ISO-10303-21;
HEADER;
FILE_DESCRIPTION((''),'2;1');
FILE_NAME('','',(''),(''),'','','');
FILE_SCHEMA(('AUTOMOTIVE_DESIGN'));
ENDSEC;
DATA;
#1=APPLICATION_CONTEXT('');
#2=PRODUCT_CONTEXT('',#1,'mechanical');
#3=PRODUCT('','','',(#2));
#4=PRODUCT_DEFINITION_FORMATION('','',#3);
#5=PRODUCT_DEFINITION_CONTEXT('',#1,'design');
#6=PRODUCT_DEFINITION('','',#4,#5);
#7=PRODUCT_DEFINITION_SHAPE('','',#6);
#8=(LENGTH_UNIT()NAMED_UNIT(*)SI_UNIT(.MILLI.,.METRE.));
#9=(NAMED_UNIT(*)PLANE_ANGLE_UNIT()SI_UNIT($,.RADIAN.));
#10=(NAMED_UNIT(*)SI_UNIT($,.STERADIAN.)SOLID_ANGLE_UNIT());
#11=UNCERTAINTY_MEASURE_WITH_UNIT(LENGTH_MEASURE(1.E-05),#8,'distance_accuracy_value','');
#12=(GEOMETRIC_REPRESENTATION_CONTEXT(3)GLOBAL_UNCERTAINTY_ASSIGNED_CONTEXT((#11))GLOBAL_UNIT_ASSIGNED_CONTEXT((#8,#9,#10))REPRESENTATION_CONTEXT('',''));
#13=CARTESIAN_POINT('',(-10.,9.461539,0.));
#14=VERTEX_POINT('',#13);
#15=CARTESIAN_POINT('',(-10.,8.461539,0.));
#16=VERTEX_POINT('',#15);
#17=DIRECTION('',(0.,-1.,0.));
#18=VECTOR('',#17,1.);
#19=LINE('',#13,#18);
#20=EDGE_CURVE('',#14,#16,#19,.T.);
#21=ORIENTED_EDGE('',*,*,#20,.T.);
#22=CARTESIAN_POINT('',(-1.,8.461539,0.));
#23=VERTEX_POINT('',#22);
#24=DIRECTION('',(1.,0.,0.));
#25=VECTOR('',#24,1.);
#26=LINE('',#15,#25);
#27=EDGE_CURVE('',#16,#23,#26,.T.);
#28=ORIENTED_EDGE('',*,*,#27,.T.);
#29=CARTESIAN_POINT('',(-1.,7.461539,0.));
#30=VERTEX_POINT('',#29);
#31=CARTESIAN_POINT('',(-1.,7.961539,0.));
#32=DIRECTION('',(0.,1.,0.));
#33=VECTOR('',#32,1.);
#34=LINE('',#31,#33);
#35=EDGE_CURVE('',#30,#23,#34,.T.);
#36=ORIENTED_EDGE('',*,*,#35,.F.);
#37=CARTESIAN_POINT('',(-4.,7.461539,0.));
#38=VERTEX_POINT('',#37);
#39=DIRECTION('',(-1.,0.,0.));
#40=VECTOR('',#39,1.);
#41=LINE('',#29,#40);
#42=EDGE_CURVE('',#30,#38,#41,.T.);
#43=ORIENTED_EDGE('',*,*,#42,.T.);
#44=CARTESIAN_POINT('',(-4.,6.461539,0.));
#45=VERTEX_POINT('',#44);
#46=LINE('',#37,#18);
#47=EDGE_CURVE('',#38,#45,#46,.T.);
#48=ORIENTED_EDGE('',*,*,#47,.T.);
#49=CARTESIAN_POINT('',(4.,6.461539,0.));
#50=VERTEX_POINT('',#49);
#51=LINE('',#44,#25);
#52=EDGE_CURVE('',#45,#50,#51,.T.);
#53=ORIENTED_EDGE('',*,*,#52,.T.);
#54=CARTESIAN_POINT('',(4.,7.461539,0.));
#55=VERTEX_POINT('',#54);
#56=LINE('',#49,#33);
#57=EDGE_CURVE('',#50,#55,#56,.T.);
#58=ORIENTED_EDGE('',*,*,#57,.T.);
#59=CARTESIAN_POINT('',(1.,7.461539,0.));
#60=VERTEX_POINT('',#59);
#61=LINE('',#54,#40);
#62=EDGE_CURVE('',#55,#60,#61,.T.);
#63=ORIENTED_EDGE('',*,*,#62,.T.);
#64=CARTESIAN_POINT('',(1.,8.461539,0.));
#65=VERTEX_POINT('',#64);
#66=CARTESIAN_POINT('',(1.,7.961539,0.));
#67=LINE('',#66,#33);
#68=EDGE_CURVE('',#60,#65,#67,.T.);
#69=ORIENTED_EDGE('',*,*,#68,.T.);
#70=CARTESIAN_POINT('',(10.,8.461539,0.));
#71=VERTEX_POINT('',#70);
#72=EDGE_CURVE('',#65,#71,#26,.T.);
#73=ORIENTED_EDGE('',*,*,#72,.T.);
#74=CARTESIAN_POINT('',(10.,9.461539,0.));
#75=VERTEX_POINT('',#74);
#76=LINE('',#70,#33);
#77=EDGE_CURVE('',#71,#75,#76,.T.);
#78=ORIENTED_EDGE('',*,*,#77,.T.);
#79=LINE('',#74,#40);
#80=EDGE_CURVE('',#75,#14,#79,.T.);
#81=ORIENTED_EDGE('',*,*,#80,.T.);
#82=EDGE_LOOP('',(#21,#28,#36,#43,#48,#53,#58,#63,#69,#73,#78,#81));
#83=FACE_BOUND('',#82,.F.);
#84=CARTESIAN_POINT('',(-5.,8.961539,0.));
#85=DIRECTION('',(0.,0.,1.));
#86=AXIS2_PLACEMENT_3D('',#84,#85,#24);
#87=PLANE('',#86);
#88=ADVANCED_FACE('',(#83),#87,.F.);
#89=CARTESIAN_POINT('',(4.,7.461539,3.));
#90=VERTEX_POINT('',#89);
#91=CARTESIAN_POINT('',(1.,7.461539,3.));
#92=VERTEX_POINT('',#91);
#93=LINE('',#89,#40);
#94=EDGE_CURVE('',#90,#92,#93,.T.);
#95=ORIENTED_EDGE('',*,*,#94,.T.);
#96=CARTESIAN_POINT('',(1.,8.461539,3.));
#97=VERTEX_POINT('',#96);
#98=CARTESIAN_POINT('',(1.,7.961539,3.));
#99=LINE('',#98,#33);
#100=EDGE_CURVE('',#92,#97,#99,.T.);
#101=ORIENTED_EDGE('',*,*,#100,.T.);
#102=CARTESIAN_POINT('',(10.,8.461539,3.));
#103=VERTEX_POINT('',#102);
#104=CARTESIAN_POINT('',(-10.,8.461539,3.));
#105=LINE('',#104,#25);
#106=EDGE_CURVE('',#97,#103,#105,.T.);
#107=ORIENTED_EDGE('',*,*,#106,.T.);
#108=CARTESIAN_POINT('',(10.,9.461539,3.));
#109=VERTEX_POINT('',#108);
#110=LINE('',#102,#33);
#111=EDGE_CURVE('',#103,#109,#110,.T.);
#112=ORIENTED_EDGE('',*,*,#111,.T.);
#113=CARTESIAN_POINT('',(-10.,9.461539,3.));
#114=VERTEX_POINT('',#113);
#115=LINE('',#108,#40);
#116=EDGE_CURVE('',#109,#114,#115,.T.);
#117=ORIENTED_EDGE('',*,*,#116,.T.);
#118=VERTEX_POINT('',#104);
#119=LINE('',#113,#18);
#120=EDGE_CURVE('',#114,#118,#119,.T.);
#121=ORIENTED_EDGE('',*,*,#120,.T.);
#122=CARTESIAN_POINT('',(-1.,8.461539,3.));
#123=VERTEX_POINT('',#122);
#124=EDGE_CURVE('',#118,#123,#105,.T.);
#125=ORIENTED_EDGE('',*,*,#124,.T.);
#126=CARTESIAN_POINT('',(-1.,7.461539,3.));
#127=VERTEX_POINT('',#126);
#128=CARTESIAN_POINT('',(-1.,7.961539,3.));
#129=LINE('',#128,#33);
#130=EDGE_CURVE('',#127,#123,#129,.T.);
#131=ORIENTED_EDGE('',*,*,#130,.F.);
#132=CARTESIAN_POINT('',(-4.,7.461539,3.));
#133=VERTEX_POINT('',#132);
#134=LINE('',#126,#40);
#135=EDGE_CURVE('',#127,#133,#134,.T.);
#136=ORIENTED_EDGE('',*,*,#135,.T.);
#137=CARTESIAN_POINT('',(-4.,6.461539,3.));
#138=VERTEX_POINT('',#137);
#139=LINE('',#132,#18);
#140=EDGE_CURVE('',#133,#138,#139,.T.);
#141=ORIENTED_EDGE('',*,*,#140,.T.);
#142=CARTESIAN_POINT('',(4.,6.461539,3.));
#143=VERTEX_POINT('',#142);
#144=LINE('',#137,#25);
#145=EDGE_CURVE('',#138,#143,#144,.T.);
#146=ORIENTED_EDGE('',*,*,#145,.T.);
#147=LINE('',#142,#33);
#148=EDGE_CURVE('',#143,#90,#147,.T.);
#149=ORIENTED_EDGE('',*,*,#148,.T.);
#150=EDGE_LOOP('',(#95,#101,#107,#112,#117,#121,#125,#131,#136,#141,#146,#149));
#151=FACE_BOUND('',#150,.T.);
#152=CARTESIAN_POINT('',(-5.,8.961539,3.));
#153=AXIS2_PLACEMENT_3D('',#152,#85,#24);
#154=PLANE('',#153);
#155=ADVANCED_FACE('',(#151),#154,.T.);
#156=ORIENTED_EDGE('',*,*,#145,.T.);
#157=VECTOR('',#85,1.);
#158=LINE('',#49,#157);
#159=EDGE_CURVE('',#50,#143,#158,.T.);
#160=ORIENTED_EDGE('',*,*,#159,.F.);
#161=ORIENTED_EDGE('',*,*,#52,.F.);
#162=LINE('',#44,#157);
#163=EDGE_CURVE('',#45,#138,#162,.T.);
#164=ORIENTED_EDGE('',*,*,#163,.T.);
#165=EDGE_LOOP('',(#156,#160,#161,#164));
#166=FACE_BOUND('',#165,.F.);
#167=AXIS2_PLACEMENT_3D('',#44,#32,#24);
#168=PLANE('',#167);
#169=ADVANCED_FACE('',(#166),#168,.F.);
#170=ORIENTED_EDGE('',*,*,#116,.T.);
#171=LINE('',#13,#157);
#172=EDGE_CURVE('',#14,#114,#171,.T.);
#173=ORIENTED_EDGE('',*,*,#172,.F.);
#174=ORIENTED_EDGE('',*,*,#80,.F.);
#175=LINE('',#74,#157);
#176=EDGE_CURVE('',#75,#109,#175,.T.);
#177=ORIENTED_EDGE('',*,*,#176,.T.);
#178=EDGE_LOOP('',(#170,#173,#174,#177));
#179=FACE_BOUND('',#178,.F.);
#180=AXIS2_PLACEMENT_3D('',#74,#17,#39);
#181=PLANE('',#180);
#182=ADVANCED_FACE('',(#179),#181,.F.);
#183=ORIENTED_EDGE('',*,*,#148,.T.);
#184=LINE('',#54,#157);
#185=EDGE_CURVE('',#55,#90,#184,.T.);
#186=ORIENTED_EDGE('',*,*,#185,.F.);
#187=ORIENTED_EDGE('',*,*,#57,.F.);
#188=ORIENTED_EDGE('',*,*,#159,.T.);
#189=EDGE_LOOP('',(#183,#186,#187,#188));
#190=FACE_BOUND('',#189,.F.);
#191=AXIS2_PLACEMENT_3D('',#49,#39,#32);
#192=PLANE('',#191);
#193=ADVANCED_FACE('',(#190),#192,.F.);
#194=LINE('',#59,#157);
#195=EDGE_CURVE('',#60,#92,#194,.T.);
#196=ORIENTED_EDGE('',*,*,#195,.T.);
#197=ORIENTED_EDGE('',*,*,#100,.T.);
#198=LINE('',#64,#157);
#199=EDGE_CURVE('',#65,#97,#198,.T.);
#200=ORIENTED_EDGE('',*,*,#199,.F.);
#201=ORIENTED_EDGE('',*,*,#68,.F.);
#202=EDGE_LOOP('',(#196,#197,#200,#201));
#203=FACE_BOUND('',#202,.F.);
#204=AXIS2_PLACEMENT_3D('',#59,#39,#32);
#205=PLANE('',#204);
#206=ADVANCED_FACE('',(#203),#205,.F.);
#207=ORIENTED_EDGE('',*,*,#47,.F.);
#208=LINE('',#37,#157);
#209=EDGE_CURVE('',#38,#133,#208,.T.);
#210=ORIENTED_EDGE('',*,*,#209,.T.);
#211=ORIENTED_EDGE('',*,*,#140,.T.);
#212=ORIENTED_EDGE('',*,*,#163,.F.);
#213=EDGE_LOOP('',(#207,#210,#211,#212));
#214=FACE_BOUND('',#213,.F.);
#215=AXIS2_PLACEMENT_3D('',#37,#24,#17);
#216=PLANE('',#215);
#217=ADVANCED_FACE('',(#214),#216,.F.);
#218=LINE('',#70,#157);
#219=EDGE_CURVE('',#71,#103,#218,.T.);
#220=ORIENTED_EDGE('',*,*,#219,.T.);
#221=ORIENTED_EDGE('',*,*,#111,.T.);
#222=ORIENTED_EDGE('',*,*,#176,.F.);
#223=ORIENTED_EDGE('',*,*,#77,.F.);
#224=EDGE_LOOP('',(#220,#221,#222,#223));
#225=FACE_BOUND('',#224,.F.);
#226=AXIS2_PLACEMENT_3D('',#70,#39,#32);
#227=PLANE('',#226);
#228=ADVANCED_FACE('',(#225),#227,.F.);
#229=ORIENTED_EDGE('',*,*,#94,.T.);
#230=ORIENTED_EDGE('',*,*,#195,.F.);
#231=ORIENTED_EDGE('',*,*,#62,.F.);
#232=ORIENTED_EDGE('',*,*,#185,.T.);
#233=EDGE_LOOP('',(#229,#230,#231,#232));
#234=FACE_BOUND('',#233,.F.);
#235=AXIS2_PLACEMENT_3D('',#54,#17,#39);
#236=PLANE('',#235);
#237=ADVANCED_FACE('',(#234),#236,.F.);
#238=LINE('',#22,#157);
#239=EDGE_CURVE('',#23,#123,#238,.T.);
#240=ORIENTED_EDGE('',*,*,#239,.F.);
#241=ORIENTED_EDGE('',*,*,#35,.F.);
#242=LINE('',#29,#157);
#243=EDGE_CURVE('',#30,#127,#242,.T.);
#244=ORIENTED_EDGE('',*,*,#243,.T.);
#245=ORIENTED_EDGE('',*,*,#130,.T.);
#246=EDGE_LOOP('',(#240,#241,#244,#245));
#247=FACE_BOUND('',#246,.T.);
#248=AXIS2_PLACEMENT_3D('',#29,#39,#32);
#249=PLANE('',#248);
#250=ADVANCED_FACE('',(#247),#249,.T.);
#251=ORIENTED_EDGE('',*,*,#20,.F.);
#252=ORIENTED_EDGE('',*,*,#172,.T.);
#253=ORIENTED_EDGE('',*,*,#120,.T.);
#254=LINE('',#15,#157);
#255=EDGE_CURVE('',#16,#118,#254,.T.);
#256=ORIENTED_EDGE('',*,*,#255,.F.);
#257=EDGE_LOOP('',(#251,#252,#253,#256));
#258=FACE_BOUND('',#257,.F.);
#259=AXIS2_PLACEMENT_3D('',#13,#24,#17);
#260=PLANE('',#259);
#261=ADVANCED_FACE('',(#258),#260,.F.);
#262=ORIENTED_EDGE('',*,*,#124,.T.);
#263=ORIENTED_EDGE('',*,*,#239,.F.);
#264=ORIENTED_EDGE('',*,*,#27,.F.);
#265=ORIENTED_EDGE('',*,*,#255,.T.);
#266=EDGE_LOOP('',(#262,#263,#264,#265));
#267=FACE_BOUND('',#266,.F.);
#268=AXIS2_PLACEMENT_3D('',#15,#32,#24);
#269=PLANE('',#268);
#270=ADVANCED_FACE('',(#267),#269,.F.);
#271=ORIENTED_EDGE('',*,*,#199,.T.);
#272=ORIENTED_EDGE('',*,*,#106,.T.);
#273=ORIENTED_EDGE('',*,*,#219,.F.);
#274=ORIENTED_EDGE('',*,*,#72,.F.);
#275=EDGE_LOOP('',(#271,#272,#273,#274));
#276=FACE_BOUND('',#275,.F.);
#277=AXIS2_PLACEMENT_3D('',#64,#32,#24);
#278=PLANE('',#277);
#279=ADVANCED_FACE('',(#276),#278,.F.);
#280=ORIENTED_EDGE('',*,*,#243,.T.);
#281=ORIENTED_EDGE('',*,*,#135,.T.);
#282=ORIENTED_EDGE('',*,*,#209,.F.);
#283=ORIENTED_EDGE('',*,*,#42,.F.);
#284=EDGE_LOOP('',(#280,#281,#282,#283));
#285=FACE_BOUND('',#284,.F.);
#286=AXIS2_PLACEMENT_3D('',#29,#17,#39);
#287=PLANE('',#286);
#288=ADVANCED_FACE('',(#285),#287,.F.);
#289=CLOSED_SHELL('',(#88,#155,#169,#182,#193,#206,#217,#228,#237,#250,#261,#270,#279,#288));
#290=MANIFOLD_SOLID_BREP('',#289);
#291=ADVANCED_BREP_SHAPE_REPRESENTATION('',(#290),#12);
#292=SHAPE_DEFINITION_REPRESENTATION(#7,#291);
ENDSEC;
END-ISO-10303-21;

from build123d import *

# Parameters (mm, degrees)
F0_W     = 1
F0_H     = 1
F1_DEPTH = 3


with BuildPart() as f1:
    # F0 (on Top) → F1 (new body)
    with BuildSketch(Plane.XY):
        Polygon((0, 9.461539), (-10, 9.461539), (-10, 8.461539), (-1, 8.461539), (0, 8.461539), align=None)
        Polygon((10, 9.461539), (0, 9.461539), (0, 8.461539), (1, 8.461539), (10, 8.461539), align=None)
        with Locations((-0.5, 7.961539)):
            Rectangle(F0_W, F0_H)
        with Locations((0.5, 7.961539)):
            Rectangle(F0_W, F0_H)
        Polygon((0, 6.461539), (0, 7.461539), (-1, 7.461539), (-4, 7.461539), (-4, 6.461539), align=None)
        Polygon((1, 7.461539), (0, 7.461539), (0, 6.461539), (4, 6.461539), (4, 7.461539), align=None)
    extrude(amount=F1_DEPTH)


solid = f1.part
